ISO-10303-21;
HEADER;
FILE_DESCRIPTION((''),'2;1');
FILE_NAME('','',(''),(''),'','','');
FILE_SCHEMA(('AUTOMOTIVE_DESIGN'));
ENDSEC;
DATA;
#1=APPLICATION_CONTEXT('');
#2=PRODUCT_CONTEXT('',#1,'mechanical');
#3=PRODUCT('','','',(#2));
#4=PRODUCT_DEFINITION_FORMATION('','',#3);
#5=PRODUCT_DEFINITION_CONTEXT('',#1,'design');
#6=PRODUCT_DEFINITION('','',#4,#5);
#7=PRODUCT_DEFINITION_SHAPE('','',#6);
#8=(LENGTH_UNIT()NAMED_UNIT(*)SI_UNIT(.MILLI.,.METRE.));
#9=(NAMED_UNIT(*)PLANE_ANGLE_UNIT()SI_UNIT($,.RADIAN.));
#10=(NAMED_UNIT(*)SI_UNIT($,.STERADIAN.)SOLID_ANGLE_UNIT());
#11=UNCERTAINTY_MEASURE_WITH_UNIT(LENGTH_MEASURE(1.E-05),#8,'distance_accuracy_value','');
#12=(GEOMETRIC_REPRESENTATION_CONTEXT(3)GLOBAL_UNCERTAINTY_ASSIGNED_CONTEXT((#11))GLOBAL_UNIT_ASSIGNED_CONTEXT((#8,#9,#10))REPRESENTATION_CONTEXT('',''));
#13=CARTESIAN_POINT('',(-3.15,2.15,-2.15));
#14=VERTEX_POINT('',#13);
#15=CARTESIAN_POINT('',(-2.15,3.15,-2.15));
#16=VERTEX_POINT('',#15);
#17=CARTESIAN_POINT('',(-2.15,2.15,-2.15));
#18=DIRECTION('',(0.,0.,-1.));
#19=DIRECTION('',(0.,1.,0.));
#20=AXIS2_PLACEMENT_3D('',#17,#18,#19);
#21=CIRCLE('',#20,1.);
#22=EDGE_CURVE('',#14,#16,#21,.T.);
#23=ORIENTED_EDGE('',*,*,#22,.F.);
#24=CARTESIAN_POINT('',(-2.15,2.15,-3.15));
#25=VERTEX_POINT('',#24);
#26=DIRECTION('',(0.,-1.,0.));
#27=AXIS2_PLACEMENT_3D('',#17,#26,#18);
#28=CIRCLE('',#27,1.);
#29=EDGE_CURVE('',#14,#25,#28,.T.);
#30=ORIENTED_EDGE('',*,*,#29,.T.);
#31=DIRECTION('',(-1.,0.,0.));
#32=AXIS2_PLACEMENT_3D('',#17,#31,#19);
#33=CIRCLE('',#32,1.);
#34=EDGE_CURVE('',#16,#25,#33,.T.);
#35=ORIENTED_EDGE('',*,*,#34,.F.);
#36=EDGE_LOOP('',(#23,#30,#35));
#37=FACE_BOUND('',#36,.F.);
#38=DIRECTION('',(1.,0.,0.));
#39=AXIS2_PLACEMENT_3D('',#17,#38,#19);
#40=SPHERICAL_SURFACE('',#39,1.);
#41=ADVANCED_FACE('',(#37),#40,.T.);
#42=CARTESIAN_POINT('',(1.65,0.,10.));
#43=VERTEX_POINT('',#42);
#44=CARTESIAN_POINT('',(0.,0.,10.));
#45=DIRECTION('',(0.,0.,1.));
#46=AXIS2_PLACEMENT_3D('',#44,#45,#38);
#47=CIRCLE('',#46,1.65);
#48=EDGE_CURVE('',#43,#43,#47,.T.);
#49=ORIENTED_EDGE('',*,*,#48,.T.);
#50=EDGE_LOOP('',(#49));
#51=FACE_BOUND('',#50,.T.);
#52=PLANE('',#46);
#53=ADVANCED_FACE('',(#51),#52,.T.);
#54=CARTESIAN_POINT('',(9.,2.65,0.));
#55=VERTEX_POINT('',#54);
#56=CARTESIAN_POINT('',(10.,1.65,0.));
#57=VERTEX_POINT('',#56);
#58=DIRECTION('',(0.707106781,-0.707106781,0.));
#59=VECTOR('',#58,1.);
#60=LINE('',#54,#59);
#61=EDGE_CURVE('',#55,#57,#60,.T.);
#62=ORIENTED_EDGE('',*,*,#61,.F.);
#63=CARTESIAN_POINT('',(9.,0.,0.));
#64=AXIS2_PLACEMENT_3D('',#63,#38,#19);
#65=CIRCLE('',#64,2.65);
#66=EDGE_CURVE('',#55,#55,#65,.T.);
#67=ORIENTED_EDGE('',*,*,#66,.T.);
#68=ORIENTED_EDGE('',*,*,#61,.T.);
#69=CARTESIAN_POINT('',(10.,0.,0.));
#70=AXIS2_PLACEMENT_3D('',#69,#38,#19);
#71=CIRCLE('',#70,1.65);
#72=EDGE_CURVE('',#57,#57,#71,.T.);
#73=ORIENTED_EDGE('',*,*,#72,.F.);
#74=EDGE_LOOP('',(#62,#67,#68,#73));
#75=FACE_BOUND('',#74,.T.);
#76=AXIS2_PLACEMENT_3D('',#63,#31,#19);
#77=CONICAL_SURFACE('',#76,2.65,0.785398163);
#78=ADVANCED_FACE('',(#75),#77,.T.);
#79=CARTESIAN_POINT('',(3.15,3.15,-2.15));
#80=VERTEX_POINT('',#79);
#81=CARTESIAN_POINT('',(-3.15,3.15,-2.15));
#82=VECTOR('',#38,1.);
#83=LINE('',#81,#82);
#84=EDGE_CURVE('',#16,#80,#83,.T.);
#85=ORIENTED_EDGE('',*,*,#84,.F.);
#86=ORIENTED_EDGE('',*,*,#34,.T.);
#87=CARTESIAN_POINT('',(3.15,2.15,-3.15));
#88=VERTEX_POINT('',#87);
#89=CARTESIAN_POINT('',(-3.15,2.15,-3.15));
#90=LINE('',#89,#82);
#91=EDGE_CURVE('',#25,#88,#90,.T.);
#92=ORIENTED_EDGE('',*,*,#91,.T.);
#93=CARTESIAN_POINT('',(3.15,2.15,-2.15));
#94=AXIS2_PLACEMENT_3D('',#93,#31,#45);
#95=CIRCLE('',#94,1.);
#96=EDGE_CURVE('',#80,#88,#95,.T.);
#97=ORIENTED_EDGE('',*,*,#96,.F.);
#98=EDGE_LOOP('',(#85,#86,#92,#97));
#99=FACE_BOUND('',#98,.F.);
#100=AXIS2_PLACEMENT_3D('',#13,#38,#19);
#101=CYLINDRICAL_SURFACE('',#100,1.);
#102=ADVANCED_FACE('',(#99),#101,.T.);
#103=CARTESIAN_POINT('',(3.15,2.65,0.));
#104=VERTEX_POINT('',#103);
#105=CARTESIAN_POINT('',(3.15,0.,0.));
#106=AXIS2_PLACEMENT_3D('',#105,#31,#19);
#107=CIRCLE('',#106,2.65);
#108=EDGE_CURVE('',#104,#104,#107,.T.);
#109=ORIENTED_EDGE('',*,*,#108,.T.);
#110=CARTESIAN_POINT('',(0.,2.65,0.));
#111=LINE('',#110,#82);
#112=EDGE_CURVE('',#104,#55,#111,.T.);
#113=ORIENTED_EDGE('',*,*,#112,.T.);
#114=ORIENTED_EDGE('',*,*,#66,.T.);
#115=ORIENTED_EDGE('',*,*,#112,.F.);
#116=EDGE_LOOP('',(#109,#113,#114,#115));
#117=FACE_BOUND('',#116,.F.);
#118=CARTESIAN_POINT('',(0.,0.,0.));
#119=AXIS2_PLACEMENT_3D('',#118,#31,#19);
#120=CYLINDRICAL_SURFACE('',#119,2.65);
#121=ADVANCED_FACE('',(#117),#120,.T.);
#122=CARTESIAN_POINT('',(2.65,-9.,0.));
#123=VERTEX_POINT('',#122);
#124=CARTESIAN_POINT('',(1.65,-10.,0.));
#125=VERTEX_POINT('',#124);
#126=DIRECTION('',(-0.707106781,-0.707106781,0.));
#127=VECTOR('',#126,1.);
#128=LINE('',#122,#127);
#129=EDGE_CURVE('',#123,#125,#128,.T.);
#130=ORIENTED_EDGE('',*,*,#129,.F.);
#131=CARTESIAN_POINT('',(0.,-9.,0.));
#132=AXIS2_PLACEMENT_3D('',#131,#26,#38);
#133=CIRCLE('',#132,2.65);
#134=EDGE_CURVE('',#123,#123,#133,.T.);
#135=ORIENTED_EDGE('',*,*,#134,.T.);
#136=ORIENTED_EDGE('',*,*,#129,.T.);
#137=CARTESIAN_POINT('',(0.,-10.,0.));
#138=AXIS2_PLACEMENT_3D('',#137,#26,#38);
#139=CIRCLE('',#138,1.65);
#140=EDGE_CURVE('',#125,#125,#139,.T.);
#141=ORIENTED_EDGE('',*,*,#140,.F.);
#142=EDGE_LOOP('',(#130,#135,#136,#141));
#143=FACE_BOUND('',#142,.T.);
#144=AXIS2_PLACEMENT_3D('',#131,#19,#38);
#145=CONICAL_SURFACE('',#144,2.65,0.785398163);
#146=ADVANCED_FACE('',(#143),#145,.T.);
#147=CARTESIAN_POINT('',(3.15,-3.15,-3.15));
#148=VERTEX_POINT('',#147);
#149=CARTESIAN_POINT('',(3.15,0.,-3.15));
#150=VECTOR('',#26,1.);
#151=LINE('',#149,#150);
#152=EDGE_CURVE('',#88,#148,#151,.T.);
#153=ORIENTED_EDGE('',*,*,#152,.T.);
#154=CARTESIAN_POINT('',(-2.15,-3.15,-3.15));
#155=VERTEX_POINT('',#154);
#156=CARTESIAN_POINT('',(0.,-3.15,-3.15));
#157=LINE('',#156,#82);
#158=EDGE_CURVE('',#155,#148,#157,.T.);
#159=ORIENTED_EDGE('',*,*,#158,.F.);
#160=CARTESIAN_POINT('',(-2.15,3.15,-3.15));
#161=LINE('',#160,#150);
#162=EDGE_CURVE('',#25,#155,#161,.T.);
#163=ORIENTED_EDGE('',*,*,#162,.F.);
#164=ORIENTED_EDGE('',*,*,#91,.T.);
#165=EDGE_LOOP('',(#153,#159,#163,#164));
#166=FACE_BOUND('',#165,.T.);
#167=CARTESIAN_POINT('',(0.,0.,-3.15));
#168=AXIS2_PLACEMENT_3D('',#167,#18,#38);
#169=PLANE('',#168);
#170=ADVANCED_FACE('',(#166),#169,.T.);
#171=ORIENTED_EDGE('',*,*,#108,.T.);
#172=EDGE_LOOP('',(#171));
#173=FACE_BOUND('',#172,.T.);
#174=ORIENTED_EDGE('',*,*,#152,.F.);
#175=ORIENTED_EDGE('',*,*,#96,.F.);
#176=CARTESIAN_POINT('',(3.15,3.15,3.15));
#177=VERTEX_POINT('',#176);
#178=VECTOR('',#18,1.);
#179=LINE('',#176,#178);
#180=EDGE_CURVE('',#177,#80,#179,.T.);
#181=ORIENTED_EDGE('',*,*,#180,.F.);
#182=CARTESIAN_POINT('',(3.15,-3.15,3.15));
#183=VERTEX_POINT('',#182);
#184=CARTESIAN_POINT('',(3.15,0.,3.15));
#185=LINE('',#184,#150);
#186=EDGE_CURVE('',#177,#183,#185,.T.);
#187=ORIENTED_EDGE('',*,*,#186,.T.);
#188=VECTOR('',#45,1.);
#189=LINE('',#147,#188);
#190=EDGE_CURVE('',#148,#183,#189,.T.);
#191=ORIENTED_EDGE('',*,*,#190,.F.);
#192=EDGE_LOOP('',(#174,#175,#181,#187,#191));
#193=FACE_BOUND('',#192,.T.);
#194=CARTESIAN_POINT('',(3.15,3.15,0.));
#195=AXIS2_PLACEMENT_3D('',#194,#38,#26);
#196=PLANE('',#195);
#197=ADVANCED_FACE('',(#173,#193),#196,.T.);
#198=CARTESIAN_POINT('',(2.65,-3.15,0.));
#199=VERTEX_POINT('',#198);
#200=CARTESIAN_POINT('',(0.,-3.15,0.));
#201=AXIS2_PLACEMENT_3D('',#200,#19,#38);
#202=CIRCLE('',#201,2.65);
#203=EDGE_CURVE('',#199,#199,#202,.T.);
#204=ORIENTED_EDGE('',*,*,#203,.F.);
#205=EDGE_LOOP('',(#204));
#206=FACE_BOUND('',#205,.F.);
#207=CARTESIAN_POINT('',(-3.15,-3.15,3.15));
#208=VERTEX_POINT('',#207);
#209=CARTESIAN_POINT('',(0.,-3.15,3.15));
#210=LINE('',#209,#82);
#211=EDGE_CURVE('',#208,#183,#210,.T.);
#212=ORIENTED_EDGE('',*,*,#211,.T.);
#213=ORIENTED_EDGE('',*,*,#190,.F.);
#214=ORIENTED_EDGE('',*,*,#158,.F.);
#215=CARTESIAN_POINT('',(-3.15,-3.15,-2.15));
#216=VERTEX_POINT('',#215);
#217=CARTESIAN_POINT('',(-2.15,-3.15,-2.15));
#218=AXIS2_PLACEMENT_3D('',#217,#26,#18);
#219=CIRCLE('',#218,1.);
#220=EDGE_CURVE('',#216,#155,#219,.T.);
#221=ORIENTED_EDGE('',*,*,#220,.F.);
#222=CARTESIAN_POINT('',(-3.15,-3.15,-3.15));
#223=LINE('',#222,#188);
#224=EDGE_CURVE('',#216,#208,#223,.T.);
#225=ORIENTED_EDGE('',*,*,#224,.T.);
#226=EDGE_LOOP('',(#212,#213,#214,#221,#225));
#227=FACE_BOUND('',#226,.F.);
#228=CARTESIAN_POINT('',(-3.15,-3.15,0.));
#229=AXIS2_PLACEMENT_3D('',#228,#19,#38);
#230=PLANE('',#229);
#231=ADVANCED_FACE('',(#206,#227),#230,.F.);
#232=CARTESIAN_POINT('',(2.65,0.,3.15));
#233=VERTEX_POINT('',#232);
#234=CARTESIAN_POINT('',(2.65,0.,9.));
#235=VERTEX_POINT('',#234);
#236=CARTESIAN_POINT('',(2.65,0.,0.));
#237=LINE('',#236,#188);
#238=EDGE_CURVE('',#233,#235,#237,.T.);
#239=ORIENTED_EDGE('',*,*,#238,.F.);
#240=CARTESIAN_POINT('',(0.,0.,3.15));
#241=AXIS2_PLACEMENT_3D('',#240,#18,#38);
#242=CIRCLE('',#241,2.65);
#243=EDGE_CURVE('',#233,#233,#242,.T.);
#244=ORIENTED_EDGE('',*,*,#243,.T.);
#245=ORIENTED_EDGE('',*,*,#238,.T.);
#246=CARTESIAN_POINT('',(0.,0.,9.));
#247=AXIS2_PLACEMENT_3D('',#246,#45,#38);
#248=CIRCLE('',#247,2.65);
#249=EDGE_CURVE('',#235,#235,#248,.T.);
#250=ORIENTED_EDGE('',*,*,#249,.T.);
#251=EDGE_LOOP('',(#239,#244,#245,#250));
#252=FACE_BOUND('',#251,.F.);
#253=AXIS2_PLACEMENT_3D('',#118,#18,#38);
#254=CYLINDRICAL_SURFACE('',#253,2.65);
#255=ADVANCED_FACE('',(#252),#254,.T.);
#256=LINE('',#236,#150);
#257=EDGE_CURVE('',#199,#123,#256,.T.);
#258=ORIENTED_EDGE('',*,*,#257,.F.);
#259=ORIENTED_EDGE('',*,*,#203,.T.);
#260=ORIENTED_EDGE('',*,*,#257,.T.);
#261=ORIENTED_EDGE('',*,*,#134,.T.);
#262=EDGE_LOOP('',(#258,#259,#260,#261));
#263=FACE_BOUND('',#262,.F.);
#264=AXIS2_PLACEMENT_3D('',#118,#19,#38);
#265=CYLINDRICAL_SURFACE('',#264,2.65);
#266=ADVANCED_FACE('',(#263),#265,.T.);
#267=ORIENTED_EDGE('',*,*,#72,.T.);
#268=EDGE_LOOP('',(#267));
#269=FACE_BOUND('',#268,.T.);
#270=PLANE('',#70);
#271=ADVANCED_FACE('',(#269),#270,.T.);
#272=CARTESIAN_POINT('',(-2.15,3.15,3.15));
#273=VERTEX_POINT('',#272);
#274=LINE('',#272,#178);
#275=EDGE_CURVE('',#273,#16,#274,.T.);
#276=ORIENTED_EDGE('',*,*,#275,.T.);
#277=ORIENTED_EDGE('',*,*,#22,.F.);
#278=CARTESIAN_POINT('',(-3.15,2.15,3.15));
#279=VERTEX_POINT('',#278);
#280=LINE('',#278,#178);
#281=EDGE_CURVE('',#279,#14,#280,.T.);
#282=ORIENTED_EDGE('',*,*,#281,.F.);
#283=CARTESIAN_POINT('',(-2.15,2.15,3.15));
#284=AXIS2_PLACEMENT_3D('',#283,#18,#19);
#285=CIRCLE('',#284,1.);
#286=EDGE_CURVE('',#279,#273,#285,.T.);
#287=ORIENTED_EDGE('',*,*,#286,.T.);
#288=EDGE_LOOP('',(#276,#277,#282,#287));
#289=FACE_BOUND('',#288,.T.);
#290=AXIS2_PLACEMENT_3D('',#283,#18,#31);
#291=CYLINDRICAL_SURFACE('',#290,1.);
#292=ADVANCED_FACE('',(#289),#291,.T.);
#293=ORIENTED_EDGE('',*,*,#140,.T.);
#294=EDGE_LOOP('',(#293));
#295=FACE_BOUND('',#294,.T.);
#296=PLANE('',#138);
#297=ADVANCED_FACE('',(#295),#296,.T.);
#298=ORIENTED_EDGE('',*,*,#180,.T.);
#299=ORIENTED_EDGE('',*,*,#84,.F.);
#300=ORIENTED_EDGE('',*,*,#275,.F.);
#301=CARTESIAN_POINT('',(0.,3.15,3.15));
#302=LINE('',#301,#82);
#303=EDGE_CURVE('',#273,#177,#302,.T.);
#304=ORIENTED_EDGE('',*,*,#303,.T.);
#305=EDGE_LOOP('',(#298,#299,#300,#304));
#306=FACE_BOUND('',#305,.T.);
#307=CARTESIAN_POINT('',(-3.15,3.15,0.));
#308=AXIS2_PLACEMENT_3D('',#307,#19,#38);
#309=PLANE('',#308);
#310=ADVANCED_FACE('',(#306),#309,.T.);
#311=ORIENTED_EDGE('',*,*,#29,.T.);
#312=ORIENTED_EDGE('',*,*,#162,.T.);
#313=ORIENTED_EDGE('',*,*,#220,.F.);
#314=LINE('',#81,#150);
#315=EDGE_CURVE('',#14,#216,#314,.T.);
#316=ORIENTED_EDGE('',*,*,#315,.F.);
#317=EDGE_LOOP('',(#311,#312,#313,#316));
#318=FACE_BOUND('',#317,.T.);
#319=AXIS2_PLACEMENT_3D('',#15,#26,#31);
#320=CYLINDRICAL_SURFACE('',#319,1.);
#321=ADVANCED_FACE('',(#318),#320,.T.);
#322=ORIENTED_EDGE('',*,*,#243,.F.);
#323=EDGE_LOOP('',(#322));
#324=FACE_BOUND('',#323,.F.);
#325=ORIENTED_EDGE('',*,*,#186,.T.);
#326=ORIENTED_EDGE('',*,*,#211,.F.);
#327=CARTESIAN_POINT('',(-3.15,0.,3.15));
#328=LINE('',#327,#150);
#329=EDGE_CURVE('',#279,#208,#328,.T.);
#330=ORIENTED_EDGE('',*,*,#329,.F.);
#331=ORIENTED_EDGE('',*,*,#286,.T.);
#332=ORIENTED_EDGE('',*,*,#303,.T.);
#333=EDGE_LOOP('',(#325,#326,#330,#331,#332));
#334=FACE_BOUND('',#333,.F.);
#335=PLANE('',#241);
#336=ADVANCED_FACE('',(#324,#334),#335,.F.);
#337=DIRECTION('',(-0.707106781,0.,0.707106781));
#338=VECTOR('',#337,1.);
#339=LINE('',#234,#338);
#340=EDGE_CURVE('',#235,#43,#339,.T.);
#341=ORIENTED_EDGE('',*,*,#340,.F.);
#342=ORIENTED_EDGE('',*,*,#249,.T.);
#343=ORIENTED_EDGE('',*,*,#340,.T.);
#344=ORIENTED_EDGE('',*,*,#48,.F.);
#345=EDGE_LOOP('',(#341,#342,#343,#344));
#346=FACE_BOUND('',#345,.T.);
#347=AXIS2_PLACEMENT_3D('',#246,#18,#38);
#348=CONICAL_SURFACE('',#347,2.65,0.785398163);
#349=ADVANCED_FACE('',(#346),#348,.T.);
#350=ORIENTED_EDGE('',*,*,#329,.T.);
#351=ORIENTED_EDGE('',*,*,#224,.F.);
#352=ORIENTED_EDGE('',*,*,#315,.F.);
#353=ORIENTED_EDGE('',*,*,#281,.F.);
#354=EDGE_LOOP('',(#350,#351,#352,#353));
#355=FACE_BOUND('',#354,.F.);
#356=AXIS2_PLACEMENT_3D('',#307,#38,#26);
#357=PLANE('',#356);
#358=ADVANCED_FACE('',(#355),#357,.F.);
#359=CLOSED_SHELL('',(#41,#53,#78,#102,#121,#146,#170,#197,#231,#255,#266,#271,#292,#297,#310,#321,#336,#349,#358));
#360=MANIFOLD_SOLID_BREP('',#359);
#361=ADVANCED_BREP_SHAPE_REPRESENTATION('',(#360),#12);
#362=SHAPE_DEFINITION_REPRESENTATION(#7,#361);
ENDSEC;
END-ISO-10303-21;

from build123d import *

# Parameters (mm, degrees)
F2_R     = 2.65
F5_DEPTH = 10
F4_R     = 2.65
F6_DEPTH = 10
F3_R     = 2.65
F7_DEPTH = 10
F8_W     = 6.3
F8_H     = 6.3
F9_DEPTH = 3.15
F10_R    = 1
F11_SIZE = 1


with BuildPart() as f5:
    # F2 (on Front) → F5 (new body)
    with BuildSketch(Plane.XZ):
        Circle(F2_R)
    extrude(amount=F5_DEPTH)

    # F4 (on Top) → F6 (join)
    with BuildSketch(Plane.XY):
        Circle(F4_R)
    extrude(amount=F6_DEPTH)

    # F3 (on Right) → F7 (join)
    with BuildSketch(Plane.YZ):
        Circle(F3_R)
    extrude(amount=F7_DEPTH)

    # F8 (on face) → F9 (join, symmetric)
    with BuildSketch(Plane(origin=(0, 0, 0), x_dir=(1, 0, 0), z_dir=(0, 0, -1))):
        Rectangle(F8_W, F8_H)
        with BuildLine():
            Line((-2.65, 0), (0, 0))
            Line((0, 0), (0, -2.65))
            ThreePointArc((0, -2.65), (-1.8738329701, -1.8738329701), (-2.65, 0))
        make_face(mode=Mode.SUBTRACT)
        with BuildLine():
            Line((0, -2.65), (0, 0))
            Line((0, 0), (-2.65, 0))
            ThreePointArc((-2.65, 0), (-1.8738329701, -1.8738329701), (0, -2.65))
        make_face()
    extrude(amount=F9_DEPTH, both=True)

    # F10
    f10_edges = [f5.edges().sort_by_distance(p)[0] for p in [
        (0, 3.15, -3.15),
        (-3.15, 3.15, 0),
        (-3.15, 0, -3.15),
    ]]
    fillet(f10_edges, radius=F10_R)

    # F11
    f11_edges = [f5.edges().sort_by_distance(p)[0] for p in [
        (10, -2.65, 0),
        (-2.65, 0, 10),
        (-2.65, -10, 0),
    ]]
    chamfer(f11_edges, length=F11_SIZE)


solid = f5.part
